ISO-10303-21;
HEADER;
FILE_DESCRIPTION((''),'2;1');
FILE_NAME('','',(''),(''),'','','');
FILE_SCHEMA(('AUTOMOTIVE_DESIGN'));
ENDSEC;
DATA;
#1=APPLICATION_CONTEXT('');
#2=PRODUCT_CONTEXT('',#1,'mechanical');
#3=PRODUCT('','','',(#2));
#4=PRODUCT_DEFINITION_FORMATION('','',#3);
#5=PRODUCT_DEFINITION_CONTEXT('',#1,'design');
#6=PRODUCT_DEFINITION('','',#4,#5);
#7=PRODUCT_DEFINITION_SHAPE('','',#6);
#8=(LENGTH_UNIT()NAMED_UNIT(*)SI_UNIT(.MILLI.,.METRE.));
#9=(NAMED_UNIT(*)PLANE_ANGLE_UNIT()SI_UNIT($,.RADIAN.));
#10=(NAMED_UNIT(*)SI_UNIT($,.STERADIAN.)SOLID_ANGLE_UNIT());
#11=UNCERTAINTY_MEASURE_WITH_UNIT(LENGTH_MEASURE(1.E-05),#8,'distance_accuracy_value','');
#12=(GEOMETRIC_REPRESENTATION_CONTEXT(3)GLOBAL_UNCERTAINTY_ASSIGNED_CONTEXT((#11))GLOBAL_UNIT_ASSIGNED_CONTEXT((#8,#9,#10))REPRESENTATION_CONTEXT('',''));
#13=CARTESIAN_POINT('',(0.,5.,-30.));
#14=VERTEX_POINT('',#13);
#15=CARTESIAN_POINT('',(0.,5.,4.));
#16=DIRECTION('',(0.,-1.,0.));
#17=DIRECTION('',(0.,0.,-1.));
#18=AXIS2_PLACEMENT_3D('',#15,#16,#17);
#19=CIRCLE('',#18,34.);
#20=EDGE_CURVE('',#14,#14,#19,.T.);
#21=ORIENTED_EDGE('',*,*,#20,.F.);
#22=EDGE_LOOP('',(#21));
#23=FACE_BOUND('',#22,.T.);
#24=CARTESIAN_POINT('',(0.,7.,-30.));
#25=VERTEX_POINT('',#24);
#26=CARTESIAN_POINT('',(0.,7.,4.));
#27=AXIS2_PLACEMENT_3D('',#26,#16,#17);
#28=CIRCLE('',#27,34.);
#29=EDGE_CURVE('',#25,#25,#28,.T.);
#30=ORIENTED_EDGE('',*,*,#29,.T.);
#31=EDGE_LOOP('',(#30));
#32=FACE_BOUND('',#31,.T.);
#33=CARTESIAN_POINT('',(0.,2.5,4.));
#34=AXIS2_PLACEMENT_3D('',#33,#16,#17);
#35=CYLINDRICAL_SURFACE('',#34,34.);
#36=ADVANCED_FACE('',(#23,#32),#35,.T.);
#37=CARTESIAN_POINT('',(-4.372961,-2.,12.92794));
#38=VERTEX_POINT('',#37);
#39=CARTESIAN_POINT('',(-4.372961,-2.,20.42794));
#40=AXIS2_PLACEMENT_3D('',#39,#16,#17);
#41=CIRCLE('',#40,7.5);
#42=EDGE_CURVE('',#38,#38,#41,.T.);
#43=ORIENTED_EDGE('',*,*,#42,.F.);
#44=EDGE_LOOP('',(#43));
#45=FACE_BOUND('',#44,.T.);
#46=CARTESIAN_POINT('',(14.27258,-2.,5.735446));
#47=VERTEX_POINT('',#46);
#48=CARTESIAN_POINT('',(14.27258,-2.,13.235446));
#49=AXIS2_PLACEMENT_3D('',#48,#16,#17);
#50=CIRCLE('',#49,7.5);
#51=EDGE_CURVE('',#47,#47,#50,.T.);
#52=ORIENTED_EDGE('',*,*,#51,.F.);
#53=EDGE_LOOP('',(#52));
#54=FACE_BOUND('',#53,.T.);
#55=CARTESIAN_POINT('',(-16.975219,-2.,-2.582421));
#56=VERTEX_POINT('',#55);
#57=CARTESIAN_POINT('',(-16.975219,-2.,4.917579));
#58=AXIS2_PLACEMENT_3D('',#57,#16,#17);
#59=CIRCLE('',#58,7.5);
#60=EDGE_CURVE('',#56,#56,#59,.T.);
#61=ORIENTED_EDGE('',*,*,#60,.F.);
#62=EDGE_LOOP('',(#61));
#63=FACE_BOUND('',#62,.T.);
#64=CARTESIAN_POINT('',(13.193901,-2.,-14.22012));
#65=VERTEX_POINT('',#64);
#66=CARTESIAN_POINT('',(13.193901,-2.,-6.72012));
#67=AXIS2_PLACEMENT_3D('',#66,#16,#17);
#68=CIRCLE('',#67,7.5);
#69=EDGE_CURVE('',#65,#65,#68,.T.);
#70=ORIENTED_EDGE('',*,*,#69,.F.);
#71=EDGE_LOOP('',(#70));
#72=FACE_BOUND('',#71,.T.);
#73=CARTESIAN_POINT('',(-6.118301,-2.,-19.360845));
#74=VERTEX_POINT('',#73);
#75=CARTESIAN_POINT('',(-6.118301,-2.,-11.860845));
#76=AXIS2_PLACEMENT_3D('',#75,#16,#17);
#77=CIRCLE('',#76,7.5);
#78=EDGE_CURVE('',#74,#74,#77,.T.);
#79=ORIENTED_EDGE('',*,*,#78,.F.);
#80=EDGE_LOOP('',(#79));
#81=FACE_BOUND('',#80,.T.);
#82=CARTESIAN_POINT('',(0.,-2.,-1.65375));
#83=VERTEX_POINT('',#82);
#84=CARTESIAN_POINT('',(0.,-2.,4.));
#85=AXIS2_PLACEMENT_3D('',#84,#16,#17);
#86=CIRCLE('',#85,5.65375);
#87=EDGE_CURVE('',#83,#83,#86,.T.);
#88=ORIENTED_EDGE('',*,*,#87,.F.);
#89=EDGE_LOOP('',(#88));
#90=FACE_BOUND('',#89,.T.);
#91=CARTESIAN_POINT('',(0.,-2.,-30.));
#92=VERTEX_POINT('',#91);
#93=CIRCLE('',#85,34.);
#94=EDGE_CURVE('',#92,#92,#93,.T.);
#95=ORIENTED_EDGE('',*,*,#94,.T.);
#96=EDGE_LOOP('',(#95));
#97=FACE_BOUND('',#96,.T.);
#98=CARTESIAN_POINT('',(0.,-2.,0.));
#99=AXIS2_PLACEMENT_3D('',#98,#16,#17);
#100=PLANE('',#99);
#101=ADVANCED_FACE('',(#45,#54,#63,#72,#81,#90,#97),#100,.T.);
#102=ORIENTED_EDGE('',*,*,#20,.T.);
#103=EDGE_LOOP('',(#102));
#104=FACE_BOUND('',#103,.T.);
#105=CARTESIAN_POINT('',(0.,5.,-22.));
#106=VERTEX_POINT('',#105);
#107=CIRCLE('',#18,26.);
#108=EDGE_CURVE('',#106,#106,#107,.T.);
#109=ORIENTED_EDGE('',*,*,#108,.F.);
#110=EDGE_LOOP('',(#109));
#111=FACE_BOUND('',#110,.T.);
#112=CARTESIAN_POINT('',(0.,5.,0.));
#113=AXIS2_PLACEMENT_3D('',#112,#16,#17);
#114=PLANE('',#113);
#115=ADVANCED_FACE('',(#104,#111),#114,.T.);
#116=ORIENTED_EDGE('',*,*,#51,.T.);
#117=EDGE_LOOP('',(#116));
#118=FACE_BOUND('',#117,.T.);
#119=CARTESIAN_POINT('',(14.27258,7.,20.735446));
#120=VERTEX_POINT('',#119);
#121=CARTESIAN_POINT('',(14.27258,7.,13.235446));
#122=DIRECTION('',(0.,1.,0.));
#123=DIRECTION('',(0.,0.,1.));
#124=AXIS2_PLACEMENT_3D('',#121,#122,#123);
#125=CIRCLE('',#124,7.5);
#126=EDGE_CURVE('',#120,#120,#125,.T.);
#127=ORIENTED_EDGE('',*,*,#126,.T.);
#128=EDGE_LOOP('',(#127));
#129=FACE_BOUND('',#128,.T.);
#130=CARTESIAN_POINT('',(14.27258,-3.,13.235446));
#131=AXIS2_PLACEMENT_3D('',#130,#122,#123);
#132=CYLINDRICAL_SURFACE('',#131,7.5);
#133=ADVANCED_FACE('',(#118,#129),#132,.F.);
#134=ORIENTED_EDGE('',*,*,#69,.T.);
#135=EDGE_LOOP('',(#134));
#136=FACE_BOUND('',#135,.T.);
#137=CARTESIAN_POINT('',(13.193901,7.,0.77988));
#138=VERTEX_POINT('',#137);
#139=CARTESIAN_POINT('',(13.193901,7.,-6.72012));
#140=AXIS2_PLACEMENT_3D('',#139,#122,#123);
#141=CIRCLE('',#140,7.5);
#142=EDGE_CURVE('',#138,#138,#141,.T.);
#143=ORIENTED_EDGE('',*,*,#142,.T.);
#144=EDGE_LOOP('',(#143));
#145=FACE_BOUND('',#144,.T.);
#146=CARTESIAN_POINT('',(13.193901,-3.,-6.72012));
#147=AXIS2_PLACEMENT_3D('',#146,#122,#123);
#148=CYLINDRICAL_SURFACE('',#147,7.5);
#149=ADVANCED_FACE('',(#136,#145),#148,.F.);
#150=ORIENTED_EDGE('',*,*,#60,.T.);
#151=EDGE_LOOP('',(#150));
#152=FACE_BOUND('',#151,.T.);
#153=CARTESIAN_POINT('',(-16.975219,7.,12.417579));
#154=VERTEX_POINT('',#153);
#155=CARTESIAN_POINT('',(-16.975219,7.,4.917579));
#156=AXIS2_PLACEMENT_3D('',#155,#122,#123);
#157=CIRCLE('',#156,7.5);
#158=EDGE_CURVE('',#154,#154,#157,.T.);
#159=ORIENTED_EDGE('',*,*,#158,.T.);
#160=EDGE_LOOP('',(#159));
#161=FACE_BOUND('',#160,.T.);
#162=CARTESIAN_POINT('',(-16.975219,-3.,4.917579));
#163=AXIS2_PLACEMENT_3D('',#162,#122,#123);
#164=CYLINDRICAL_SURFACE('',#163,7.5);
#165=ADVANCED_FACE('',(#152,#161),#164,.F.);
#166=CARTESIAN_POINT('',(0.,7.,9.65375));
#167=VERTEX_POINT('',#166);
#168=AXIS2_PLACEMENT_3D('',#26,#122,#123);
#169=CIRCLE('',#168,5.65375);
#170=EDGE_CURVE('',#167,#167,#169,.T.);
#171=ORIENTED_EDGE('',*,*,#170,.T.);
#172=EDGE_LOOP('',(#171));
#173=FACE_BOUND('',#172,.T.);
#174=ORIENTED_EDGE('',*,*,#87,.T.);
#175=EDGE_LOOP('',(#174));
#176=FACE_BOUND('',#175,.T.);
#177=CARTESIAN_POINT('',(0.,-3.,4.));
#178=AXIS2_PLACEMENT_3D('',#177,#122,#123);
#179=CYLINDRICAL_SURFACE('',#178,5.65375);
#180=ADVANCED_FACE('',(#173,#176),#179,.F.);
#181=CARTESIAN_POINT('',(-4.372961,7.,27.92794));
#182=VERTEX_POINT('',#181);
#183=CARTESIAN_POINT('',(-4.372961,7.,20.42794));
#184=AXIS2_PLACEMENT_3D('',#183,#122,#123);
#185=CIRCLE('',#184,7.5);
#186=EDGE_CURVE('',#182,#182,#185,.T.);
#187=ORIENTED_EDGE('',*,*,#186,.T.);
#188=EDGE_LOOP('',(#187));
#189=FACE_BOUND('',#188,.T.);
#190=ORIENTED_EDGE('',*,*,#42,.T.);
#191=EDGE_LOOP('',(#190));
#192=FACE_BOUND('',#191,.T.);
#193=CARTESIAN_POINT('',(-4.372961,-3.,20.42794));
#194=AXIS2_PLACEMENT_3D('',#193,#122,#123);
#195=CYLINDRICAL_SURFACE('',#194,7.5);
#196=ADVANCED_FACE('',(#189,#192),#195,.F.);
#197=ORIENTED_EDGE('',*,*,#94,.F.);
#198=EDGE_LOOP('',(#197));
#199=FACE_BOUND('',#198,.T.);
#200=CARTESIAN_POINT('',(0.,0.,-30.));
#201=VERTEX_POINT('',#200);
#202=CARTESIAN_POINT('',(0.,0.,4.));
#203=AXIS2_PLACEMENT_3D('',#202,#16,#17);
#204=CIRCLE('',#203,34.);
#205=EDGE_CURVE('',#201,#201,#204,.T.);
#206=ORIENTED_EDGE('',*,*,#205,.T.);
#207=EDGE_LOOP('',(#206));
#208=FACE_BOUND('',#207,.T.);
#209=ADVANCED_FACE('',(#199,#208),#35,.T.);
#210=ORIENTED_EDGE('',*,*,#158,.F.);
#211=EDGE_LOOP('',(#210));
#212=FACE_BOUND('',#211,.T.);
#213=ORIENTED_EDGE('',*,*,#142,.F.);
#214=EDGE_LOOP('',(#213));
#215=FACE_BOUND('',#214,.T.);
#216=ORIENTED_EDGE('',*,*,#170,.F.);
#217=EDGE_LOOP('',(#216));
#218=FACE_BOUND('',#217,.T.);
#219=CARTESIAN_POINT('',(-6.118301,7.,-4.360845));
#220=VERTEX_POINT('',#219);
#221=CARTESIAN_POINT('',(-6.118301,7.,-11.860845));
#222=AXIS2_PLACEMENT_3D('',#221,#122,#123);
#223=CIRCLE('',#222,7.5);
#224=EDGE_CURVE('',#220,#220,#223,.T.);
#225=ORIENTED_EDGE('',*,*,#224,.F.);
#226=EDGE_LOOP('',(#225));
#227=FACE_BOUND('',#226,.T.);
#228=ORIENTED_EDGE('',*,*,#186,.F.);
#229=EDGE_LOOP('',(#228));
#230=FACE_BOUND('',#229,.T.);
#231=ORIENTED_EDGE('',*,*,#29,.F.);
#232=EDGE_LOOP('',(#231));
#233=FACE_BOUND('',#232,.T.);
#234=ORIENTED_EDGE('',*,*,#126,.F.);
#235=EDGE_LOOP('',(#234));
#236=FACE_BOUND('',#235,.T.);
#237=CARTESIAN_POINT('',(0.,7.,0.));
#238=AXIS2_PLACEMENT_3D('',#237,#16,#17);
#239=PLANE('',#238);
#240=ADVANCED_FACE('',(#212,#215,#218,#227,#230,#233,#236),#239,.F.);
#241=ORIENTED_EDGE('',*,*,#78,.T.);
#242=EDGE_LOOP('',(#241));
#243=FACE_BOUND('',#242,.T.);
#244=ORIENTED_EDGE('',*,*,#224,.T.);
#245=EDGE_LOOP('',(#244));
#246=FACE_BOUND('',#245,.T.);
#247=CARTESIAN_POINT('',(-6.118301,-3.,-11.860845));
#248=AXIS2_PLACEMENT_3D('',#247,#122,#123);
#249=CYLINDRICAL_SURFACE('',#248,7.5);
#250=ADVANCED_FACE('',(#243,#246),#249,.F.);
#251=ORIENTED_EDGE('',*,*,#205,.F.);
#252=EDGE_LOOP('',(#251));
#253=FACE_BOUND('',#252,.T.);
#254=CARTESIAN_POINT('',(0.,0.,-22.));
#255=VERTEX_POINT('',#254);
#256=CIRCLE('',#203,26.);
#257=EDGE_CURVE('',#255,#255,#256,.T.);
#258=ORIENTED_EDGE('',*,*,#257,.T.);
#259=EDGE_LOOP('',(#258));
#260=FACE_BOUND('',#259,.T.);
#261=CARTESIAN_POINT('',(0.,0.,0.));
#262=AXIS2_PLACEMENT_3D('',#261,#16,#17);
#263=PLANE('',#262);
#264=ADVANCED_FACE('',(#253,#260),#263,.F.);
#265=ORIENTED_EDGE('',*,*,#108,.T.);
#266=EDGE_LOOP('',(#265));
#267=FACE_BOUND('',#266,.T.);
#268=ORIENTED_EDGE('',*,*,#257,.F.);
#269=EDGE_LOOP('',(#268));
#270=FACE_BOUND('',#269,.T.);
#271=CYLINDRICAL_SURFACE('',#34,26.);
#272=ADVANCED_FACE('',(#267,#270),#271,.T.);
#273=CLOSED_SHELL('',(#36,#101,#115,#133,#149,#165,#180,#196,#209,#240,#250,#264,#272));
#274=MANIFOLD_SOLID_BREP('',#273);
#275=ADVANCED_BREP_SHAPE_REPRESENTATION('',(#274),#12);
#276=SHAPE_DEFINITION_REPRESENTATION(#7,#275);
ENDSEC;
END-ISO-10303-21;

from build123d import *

# Parameters (mm, degrees)
SKETCH1_W          = 22
SKETCH1_H          = 5
SKETCH1_W_2        = 30
SKETCH1_H_2        = 2
SKETCH3_R          = 5.653749864
SKETCH3_R_2        = 7.5
CUT_EXTRUDE1_DEPTH = 10


with BuildPart() as part:
    # Sketch1 → Revolve4 (revolve)
    with BuildSketch(Plane(origin=(0, 0, 0), x_dir=(0, 0, -1), z_dir=(1, 0, 0))):
        Polygon((0, 7), (0, 5), (22, 5), (30, 5), (30, 7), align=None)
        with Locations((11, 2.5)):
            Rectangle(SKETCH1_W, SKETCH1_H)
        with Locations((15, -1)):
            Rectangle(SKETCH1_W_2, SKETCH1_H_2)
    revolve(axis=Axis((0, 2.5, 4), (0, 1, 0)))

    # Sketch3 → Cut-Extrude1 (cut)
    with BuildSketch(Plane(origin=(0, 7, 0), x_dir=(1, 0, 0), z_dir=(0, 1, 0))):
        with Locations((0, -4)):
            Circle(SKETCH3_R)
        with Locations((-16.975218646, -4.917579386)):
            Circle(SKETCH3_R_2)
        with Locations((-6.118300899, 11.860844685)):
            Circle(SKETCH3_R_2)
        with Locations((13.193900737, 6.720120492)):
            Circle(SKETCH3_R_2)
        with Locations((14.272579999, -13.235445857)):
            Circle(SKETCH3_R_2)
        with Locations((-4.37296119, -20.427939933)):
            Circle(SKETCH3_R_2)
    extrude(amount=-CUT_EXTRUDE1_DEPTH, mode=Mode.SUBTRACT)


solid = part.part
